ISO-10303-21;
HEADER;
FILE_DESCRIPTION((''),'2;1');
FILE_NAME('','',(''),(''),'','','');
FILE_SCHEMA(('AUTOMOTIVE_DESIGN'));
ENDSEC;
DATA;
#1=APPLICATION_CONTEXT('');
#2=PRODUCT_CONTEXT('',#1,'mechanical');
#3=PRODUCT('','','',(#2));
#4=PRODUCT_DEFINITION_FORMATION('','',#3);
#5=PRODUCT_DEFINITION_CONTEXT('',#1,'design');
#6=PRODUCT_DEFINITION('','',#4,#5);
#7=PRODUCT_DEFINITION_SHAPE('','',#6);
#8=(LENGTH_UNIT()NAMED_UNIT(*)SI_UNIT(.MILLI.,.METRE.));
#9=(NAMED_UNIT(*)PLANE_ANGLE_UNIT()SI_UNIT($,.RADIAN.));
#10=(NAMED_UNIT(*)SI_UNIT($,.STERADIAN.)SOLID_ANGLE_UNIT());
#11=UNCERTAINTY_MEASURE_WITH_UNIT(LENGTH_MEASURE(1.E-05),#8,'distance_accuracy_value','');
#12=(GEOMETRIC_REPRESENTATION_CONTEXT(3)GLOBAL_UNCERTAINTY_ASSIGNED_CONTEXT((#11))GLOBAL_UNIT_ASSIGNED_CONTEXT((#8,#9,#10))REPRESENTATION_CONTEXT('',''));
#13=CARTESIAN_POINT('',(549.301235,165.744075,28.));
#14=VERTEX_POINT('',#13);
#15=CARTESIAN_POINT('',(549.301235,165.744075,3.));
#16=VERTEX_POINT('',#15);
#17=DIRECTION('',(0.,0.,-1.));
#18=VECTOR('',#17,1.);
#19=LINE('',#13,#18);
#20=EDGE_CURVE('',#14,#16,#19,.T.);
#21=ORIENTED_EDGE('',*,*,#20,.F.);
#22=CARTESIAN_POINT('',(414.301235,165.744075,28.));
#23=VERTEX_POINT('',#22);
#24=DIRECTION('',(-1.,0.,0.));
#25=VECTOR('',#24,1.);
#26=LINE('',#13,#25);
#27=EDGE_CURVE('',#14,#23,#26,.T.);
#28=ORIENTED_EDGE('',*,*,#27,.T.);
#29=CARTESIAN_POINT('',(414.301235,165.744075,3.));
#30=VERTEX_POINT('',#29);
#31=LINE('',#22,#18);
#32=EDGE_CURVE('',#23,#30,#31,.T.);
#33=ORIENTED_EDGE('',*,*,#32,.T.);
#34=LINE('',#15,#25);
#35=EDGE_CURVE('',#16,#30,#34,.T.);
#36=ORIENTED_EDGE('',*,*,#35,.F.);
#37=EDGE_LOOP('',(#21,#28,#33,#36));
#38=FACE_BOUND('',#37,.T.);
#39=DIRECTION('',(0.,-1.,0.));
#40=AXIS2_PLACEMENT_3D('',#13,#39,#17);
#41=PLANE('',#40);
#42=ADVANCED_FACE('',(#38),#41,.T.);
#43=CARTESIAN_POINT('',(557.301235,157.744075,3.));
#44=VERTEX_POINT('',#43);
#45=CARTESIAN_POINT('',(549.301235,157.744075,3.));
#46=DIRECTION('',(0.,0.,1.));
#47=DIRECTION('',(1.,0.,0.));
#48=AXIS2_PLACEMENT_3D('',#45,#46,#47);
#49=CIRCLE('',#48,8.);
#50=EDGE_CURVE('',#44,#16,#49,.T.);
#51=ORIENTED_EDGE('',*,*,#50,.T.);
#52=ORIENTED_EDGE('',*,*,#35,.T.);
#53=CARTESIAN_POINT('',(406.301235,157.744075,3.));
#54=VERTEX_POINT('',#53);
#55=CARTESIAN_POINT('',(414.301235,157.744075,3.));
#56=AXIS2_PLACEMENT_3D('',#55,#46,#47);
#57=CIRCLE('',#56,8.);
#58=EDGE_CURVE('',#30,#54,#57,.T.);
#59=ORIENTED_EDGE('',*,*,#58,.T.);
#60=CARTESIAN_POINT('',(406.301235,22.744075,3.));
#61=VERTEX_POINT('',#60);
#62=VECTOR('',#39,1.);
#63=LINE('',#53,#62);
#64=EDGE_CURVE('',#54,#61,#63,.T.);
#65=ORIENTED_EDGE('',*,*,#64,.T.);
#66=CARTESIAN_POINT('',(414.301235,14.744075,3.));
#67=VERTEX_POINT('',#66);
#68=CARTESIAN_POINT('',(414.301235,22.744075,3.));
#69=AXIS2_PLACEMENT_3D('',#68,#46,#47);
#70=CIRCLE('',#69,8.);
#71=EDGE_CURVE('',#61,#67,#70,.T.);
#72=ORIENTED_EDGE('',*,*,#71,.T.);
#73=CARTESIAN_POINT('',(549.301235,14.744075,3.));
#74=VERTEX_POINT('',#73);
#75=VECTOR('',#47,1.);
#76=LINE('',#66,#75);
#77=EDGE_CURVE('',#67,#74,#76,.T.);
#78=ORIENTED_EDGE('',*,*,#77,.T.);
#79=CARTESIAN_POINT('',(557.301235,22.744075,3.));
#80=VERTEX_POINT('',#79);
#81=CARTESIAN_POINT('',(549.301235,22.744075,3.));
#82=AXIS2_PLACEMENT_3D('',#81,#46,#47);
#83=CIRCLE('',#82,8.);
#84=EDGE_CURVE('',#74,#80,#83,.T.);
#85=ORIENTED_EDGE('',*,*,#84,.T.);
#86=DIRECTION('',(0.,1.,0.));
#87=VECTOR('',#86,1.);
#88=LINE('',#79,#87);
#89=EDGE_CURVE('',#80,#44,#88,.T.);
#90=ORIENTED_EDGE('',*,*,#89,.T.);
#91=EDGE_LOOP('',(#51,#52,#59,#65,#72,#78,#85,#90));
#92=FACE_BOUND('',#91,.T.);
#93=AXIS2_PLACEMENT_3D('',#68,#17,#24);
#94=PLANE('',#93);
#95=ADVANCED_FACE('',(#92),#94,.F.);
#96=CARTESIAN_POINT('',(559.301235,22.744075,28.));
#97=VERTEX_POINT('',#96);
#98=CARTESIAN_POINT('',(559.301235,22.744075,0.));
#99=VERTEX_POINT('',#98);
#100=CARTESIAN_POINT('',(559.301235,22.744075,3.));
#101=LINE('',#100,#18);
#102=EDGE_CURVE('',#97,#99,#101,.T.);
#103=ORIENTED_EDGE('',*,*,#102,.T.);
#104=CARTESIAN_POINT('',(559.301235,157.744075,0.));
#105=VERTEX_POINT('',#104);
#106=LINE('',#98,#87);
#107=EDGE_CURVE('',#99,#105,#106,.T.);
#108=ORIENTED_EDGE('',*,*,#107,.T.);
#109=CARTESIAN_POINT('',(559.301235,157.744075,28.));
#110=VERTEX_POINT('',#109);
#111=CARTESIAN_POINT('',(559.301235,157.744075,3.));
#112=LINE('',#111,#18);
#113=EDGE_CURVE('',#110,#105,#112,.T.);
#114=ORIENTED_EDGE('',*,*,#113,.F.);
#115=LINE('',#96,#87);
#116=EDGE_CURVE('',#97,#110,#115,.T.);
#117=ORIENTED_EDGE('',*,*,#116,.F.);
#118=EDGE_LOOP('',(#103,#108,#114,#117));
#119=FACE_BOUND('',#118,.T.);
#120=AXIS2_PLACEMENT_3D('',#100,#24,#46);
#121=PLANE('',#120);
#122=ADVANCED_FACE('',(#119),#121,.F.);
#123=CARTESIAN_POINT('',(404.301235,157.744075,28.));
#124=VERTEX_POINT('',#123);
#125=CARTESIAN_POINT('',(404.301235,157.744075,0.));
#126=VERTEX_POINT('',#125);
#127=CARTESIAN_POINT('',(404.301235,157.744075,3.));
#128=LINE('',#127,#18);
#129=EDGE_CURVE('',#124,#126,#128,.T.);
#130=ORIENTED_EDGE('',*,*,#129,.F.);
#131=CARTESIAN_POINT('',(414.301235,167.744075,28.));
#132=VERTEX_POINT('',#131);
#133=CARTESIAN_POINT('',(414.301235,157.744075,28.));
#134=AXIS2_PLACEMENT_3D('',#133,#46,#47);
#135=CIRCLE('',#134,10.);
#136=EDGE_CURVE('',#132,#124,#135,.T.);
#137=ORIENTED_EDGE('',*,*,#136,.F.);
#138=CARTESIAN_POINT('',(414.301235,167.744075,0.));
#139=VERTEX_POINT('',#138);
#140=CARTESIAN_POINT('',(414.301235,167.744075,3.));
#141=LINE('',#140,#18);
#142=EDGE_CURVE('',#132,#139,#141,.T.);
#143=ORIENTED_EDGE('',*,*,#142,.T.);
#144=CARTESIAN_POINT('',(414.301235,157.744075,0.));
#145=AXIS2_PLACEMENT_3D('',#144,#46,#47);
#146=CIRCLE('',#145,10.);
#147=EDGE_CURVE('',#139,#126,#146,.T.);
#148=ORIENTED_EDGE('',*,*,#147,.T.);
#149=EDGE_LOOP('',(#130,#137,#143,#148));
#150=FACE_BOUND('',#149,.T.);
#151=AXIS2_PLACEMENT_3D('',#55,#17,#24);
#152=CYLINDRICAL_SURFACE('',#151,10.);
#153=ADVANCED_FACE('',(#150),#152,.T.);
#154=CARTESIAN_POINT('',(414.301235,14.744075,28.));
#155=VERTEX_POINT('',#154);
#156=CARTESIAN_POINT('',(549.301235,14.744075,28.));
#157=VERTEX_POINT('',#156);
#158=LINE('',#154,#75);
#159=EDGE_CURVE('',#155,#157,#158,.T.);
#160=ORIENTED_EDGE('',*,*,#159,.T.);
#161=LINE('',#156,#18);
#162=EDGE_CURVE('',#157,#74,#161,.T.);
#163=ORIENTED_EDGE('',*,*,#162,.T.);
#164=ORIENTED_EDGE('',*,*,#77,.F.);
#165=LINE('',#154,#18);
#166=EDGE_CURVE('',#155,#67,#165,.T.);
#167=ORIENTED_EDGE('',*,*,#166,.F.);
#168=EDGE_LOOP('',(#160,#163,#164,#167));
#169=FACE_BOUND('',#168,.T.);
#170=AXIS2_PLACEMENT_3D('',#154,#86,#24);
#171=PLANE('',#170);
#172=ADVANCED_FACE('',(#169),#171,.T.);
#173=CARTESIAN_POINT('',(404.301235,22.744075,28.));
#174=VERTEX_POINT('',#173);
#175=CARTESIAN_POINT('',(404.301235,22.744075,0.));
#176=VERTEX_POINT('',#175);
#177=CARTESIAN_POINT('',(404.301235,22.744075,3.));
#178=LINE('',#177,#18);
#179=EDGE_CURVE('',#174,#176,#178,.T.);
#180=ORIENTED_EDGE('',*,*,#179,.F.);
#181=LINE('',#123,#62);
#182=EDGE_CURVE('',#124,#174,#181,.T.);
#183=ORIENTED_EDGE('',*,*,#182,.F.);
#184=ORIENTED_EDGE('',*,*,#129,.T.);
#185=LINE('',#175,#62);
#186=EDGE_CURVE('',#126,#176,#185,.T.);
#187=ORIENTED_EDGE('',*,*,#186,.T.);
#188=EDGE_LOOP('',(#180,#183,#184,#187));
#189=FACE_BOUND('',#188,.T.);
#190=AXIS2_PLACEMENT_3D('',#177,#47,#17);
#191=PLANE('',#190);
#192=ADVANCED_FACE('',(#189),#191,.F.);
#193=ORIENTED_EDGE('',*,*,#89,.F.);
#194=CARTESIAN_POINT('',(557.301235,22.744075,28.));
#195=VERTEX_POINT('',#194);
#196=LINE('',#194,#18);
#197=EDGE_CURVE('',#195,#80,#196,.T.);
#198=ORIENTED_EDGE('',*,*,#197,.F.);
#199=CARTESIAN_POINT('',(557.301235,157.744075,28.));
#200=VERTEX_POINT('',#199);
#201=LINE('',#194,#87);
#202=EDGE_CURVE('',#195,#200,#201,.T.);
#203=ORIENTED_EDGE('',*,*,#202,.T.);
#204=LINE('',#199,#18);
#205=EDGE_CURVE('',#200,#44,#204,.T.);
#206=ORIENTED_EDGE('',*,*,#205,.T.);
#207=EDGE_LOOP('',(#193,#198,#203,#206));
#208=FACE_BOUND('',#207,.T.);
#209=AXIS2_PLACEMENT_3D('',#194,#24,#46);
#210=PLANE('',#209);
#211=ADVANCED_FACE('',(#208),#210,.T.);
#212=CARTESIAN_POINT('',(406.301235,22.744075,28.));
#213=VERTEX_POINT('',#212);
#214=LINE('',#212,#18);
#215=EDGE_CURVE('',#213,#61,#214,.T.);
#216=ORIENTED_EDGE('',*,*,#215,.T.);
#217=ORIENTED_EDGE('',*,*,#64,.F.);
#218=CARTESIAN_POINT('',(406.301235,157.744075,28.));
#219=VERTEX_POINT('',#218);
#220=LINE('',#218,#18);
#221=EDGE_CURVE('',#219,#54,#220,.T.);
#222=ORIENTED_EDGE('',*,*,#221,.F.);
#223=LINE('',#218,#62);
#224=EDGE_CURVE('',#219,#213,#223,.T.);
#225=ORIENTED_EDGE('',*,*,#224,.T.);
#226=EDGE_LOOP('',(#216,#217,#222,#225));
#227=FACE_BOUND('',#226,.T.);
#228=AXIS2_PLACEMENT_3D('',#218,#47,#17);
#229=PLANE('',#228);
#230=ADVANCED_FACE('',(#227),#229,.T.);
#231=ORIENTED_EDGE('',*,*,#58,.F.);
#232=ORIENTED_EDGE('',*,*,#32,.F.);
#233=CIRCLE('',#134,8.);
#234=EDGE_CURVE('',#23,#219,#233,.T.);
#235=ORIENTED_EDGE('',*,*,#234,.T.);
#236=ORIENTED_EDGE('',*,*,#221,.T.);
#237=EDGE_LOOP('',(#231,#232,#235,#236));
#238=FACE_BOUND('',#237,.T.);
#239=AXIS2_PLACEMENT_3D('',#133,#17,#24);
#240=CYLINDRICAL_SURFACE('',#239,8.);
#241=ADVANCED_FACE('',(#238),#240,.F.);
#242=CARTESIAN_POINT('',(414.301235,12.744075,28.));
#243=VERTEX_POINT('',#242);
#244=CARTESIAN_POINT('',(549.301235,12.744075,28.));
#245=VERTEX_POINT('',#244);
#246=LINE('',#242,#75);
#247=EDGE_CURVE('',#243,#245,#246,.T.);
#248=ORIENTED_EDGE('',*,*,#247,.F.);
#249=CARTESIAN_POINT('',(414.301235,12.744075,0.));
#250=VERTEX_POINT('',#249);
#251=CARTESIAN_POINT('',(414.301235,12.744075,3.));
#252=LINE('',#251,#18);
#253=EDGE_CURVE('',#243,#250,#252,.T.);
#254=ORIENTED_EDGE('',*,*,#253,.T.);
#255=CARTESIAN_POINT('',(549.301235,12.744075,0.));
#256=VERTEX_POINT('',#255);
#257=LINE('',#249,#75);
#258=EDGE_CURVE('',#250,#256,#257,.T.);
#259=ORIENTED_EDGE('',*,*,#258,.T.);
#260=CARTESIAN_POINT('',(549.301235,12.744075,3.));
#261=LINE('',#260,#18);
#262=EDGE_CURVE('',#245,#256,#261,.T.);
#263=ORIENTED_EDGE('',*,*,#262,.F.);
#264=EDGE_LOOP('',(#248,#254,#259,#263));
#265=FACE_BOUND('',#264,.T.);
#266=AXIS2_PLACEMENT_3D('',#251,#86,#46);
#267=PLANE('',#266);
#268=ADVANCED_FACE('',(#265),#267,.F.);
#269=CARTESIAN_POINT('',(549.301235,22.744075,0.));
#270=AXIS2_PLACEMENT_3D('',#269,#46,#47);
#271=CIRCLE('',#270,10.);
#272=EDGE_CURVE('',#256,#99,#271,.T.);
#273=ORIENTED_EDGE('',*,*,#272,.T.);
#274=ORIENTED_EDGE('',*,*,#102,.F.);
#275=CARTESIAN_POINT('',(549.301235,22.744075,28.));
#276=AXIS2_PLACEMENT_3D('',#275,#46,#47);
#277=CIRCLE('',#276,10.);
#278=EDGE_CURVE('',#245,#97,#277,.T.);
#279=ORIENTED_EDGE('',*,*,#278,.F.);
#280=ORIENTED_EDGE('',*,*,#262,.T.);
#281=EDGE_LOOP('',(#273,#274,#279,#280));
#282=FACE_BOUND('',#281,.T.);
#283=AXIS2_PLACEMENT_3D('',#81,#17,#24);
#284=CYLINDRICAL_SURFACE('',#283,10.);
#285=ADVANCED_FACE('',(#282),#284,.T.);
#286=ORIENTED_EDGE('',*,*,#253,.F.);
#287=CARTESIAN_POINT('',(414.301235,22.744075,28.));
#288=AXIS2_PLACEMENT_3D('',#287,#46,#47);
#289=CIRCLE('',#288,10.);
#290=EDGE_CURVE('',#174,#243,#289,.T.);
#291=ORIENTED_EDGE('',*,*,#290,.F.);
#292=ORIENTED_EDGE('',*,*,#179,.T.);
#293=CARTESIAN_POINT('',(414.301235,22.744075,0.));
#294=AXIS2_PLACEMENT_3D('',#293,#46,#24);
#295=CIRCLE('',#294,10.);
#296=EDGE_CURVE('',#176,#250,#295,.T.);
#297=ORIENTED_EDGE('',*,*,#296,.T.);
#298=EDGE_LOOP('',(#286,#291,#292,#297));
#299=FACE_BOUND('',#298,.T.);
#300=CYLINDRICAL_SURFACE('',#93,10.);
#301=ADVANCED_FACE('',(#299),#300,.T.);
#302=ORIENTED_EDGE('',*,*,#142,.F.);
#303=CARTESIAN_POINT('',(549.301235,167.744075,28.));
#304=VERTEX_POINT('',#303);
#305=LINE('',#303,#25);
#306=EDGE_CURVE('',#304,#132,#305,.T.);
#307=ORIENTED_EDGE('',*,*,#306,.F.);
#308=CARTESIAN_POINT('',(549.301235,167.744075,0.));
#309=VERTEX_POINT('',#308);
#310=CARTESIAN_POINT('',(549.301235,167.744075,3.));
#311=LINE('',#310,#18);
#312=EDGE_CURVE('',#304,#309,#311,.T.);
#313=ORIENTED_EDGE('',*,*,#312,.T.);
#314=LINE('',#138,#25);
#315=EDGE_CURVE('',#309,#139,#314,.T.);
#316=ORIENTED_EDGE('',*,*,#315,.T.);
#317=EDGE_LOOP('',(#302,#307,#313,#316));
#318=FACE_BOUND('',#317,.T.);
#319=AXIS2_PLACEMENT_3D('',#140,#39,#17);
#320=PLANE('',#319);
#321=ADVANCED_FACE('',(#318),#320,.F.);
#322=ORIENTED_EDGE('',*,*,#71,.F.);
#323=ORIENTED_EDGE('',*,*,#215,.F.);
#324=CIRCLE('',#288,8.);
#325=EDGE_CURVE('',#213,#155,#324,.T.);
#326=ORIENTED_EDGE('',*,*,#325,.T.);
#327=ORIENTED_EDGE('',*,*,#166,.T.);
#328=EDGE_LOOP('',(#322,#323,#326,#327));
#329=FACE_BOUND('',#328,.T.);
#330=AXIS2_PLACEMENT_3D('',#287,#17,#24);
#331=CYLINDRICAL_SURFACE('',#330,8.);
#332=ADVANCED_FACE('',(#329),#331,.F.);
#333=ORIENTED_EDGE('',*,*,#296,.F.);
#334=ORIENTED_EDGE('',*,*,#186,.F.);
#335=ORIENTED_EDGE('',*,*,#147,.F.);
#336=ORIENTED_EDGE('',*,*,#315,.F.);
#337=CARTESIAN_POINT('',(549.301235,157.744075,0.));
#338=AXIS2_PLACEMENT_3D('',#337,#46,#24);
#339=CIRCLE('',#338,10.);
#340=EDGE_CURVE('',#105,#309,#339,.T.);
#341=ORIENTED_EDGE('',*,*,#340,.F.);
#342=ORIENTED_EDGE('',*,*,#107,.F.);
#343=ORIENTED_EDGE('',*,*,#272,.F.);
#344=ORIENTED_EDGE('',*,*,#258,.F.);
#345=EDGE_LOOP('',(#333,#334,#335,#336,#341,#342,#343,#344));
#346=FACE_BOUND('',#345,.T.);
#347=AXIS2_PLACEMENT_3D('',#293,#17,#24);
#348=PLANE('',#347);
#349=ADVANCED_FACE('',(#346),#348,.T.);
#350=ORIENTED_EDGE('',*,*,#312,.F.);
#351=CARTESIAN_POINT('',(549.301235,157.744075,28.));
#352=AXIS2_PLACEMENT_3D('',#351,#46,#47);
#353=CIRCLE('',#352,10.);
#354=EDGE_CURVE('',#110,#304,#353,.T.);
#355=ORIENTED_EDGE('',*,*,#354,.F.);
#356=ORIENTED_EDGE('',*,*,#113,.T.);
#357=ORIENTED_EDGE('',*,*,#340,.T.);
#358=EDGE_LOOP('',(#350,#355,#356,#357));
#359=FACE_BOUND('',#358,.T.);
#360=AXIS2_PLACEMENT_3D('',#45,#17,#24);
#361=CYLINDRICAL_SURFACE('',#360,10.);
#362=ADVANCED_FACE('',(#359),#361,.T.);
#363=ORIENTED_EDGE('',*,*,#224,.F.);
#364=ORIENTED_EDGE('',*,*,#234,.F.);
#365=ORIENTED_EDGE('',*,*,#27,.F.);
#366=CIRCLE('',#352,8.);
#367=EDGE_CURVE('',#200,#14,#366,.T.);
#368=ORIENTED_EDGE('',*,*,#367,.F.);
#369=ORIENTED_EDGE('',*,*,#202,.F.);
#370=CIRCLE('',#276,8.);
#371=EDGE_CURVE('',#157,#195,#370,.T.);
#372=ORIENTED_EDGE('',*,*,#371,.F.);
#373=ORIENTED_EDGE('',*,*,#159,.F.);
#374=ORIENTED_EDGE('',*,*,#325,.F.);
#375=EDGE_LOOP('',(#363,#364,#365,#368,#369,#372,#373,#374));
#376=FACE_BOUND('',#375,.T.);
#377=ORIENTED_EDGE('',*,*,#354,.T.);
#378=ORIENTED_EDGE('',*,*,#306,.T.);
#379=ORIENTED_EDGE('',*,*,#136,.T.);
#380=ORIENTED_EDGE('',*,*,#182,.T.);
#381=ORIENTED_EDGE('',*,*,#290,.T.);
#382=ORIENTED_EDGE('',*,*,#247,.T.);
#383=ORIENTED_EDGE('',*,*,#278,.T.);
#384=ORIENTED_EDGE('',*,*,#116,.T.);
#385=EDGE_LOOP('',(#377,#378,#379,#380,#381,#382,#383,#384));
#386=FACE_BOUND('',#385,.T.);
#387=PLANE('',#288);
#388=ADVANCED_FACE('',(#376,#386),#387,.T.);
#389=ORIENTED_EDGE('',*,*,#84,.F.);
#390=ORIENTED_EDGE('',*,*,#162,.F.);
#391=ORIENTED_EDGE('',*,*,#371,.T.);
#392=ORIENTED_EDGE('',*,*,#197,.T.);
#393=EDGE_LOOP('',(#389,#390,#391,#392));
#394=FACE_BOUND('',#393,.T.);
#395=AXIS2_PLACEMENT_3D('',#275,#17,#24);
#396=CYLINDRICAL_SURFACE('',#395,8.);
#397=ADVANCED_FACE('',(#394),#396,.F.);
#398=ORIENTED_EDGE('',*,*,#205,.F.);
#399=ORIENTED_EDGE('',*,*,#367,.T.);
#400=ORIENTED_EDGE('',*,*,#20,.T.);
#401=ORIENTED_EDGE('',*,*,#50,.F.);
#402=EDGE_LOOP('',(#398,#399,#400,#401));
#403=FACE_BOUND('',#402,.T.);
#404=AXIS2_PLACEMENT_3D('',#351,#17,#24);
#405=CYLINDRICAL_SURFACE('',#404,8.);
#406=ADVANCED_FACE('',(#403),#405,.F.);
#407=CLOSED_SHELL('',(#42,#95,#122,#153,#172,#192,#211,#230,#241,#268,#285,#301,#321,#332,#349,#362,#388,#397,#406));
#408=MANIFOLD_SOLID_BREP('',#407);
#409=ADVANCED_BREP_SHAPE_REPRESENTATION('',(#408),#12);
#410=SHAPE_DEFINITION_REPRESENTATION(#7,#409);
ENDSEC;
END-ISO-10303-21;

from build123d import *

# Parameters (mm, degrees)
EXTRUDE_1_DEPTH = 3
EXTRUDE_2_DEPTH = 25


with BuildPart() as part:
    # 草图1 → 凸台-拉伸1 (new body)
    with BuildSketch(Plane.XY):
        with BuildLine():
            Line((414.301234579, 12.744075086), (549.301234579, 12.744075086))
            ThreePointArc((549.301234579, 12.744075086), (556.372302391, 15.673007274), (559.301234579, 22.744075086))
            Line((559.301234579, 22.744075086), (559.301234579, 157.744075086))
            ThreePointArc((559.301234579, 157.744075086), (556.372302391, 164.815142898), (549.301234579, 167.744075086))
            Line((549.301234579, 167.744075086), (414.301234579, 167.744075086))
            ThreePointArc((414.301234579, 167.744075086), (407.230166767, 164.815142898), (404.301234579, 157.744075086))
            Line((404.301234579, 157.744075086), (404.301234579, 22.744075086))
            ThreePointArc((404.301234579, 22.744075086), (407.230166767, 15.673007274), (414.301234579, 12.744075086))
        make_face()
    extrude(amount=EXTRUDE_1_DEPTH)

    # 草图2 → 凸台-拉伸2 (add)
    with BuildSketch(Plane.XY.offset(3)):
        with BuildLine():
            Line((414.301234579, 12.744075086), (549.301234579, 12.744075086))
            ThreePointArc((549.301234579, 12.744075086), (556.372302391, 15.673007274), (559.301234579, 22.744075086))
            Line((559.301234579, 22.744075086), (559.301234579, 157.744075086))
            ThreePointArc((559.301234579, 157.744075086), (556.372302391, 164.815142898), (549.301234579, 167.744075086))
            Line((549.301234579, 167.744075086), (414.301234579, 167.744075086))
            ThreePointArc((414.301234579, 167.744075086), (407.230166767, 164.815142898), (404.301234579, 157.744075086))
            Line((404.301234579, 157.744075086), (404.301234579, 22.744075086))
            ThreePointArc((404.301234579, 22.744075086), (407.230166767, 15.673007274), (414.301234579, 12.744075086))
        make_face()
        with BuildLine():
            Line((557.301234579, 22.744075086), (557.301234579, 157.744075086))
            ThreePointArc((557.301234579, 157.744075086), (554.958088829, 163.400929335), (549.301234579, 165.744075086))
            Line((549.301234579, 165.744075086), (414.301234579, 165.744075086))
            ThreePointArc((414.301234579, 165.744075086), (408.64438033, 163.400929335), (406.301234579, 157.744075086))
            Line((406.301234579, 157.744075086), (406.301234579, 22.744075086))
            ThreePointArc((406.301234579, 22.744075086), (408.64438033, 17.087220836), (414.301234579, 14.744075086))
            Line((414.301234579, 14.744075086), (549.301234579, 14.744075086))
            ThreePointArc((549.301234579, 14.744075086), (554.958088829, 17.087220836), (557.301234579, 22.744075086))
        make_face(mode=Mode.SUBTRACT)
    extrude(amount=EXTRUDE_2_DEPTH)


solid = part.part
